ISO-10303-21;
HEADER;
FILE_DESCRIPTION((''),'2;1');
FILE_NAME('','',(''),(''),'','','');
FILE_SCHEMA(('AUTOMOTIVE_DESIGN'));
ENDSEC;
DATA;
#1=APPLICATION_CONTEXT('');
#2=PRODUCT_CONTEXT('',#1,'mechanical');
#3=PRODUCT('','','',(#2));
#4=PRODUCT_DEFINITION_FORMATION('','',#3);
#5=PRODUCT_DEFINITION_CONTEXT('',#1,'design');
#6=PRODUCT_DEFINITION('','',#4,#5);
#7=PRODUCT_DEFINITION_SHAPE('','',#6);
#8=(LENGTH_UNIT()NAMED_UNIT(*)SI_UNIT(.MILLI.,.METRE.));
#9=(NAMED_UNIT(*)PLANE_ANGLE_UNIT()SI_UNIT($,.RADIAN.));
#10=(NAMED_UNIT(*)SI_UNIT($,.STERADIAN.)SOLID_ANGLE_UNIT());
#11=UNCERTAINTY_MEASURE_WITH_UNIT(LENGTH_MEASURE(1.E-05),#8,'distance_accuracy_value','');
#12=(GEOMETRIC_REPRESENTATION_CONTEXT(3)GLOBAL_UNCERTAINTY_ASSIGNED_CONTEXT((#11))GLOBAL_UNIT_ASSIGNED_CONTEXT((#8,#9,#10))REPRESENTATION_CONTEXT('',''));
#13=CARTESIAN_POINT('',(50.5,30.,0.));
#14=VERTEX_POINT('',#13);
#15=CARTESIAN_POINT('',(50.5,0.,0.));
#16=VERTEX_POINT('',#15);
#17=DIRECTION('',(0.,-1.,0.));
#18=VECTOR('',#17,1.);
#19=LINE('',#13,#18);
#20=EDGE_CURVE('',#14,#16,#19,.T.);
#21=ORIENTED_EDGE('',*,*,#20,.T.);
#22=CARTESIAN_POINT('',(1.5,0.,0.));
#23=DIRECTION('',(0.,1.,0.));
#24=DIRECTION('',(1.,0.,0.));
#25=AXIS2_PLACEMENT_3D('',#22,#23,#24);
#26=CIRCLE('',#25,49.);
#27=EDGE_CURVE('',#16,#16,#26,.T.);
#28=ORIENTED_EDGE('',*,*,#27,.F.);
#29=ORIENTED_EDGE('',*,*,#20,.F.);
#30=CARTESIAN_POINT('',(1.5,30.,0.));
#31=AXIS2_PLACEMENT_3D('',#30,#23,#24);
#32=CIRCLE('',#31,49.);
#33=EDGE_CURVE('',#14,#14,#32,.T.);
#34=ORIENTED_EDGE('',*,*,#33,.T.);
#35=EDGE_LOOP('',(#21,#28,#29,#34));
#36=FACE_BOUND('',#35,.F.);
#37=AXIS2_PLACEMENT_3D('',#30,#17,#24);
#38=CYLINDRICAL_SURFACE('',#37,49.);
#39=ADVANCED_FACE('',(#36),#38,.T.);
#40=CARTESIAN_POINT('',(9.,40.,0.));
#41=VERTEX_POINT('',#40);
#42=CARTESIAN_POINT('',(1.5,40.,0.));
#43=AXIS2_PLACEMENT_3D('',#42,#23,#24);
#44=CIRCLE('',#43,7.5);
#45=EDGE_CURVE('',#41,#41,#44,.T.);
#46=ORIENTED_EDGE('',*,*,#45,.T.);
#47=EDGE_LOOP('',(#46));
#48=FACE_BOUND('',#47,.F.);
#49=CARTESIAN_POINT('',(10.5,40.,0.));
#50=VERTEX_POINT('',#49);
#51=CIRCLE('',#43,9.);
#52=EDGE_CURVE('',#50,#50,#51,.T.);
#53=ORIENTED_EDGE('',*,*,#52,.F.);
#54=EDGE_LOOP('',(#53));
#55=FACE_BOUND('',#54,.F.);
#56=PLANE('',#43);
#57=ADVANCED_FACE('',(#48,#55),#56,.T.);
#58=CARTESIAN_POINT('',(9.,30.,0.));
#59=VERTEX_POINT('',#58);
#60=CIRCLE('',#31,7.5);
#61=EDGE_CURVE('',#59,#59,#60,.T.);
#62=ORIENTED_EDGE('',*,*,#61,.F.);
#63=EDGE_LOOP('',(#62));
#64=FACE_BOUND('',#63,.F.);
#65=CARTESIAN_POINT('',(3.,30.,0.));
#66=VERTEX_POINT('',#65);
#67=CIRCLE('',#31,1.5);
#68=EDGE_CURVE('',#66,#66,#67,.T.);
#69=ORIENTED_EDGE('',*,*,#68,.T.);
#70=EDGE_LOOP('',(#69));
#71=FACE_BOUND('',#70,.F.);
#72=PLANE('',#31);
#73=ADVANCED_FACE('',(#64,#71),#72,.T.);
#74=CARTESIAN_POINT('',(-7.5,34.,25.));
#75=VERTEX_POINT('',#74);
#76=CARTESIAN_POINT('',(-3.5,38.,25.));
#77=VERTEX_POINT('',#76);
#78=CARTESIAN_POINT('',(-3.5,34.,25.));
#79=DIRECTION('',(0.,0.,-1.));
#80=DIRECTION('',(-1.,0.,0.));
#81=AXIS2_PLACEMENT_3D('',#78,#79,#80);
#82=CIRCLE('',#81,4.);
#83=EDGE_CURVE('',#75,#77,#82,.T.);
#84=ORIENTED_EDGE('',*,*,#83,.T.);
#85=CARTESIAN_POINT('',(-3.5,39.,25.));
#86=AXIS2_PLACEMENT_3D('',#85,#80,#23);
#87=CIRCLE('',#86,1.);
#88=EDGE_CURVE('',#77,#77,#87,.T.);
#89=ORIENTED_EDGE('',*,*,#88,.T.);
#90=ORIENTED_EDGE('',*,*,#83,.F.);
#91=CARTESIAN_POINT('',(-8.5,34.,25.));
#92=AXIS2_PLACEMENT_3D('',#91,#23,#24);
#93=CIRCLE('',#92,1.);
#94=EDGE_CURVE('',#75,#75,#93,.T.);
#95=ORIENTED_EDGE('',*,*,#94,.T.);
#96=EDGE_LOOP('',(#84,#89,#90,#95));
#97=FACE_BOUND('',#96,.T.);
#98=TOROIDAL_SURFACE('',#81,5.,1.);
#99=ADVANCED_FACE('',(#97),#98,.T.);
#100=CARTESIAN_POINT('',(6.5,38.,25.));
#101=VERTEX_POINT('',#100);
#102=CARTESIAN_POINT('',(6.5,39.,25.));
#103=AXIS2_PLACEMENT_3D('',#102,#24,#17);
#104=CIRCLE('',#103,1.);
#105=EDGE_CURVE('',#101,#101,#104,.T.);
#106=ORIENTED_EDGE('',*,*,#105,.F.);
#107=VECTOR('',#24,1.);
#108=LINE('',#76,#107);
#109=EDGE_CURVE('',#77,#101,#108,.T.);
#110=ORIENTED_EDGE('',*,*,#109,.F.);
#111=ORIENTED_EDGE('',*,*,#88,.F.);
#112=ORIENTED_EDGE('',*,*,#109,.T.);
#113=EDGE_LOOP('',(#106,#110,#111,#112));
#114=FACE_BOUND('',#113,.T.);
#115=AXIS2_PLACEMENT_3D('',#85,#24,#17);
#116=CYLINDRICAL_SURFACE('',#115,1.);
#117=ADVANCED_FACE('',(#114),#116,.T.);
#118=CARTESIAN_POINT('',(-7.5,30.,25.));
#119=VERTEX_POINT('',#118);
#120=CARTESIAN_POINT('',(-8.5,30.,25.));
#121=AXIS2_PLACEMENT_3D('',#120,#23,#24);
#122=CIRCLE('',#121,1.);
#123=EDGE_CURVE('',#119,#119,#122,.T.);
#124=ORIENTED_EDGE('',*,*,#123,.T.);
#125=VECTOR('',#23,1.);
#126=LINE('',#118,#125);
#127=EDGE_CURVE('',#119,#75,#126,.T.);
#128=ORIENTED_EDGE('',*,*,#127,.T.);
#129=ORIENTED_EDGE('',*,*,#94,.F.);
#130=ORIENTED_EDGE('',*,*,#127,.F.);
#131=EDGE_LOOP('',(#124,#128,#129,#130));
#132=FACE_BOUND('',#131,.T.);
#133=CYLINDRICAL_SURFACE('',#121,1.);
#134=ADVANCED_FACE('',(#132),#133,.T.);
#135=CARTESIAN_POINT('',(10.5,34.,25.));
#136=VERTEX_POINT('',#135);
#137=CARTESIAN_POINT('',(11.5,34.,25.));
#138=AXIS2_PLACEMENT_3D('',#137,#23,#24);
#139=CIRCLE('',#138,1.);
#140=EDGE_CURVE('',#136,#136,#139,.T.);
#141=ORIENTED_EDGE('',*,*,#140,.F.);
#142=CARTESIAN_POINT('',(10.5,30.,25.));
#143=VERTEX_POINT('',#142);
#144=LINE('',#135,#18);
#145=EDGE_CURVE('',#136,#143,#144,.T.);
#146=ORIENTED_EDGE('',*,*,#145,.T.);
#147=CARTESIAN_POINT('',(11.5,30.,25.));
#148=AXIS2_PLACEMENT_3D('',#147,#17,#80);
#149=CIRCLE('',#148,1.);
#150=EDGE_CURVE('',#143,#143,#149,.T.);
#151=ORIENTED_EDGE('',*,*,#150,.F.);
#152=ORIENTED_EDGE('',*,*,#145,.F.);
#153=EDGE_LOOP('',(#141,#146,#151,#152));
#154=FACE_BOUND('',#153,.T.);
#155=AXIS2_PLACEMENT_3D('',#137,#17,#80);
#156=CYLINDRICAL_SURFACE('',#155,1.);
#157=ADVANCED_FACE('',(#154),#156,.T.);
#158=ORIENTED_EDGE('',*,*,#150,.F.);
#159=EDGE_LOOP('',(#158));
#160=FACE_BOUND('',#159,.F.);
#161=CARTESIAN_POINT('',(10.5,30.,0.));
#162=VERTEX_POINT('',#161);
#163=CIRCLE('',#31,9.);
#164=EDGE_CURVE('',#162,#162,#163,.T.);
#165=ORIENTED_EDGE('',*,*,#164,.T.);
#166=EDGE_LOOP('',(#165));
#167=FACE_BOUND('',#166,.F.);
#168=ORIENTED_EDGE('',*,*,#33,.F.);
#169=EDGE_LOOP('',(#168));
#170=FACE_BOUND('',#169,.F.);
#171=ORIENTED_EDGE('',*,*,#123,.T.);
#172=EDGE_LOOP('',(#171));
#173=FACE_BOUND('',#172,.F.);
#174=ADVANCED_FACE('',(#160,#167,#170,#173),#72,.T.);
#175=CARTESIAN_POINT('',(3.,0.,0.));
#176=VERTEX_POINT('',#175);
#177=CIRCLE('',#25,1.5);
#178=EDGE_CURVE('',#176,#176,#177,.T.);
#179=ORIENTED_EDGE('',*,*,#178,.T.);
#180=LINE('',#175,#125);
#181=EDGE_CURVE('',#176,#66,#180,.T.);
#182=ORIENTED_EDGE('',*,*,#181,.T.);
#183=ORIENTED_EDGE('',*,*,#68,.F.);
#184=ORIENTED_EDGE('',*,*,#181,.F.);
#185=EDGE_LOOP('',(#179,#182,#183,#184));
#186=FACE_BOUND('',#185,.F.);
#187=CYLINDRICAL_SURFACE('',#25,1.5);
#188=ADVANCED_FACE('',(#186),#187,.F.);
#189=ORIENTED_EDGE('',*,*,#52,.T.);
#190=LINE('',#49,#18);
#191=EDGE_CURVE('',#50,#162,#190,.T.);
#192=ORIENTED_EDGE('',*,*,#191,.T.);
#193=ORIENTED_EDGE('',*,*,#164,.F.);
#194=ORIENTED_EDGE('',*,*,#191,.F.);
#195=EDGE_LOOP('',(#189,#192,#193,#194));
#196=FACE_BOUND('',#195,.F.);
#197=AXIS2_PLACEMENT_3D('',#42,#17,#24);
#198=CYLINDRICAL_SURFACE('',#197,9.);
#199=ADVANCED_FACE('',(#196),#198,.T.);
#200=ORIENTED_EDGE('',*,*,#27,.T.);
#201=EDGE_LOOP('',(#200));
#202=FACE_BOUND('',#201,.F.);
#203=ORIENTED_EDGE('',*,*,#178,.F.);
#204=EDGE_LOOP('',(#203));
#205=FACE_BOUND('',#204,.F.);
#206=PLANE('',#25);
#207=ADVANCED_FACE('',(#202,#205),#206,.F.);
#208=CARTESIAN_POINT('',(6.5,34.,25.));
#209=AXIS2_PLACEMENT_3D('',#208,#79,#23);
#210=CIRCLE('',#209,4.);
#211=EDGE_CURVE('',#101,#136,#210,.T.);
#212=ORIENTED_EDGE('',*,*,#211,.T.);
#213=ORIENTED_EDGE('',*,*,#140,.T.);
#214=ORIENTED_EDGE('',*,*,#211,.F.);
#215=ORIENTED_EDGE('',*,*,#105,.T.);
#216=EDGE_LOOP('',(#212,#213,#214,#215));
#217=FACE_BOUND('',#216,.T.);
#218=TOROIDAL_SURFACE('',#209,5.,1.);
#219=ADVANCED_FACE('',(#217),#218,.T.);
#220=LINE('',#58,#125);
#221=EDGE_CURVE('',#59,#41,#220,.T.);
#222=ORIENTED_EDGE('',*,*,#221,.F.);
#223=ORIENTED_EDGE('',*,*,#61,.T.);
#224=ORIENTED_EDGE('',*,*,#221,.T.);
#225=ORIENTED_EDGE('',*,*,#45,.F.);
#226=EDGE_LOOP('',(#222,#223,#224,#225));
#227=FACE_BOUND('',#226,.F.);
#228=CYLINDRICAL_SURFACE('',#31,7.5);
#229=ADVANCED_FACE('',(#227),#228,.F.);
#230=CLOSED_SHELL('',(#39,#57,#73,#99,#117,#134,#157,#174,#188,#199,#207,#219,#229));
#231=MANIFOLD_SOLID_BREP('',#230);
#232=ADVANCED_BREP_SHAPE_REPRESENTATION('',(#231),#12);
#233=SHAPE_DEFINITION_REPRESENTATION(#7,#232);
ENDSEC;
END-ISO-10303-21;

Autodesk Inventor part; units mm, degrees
ref_plane "YZ Plane" through (0, 0, 0) normal (1, 0, 0) x (0, 1, 0)
ref_plane "XZ Plane" through (0, 0, 0) normal (0, 1, 0) x (-1, 0, 0)
ref_plane "XY Plane" through (0, 0, 0) normal (0, 0, 1) x (1, 0, 0)
sketch "Sketch1" plane through (0, 0, 0) normal (0, 0, 1) x (1, 0, 0)
  line L0 (1.5, 0) -> (1.5, 40)
  line L1 (3, 0) -> (3, 30)
  line L2 (3, 30) -> (9, 30)
  line L3 (9, 30) -> (9, 40)
  line L4 (9, 40) -> (10.5, 40)
  line L5 (10.5, 40) -> (10.5, 30)
  line L6 (10.5, 30) -> (50.5, 30)
  line L7 (50.5, 30) -> (50.5, 0)
  line L8 (50.5, 0) -> (3, 0)
  point P0 (0, 0)
revolve "Revolution1" add sketch "Sketch1" angle 360 about axis through (1.5, 0, 0) along (0, 1, 0)
sketch "Sketch2" plane through (1.5, 30, 0) normal (0, 1, 0) x (1, 0, 0)
  point P0 (-1.5, 0)
sketch "Sketch4" plane through (1.5, 30, 0) normal (0, 1, 0) x (1, 0, 0)
  circle A0 centre (0, 0) radius 1.5 projected
  circle A1 centre (-10, -25) radius 1
  point P0 (-1.5, 0)
sketch3d "3D Sketch3"
  line L0 (-8.5, 30, 25) -> (-8.5, 34, 25)
  arc A0 (-8.5, 34, 25) -> (-3.5, 39, 25) centre (-3.5, 34, 25) ccw
  line L1 (-3.5, 39, 25) -> (6.5, 39, 25)
  arc A1 (6.5, 39, 25) -> (11.5, 34, 25) centre (6.5, 34, 25) ccw
  line L2 (11.5, 34, 25) -> (11.5, 30, 25)
  dimension "d21" = 5
  dimension "d22" = 5
sweep "Sweep2" add profiles "Sketch4" path "3D Sketch3" contours A1
equation "\"d22\" = d21"
properties part number "bulckhead"
